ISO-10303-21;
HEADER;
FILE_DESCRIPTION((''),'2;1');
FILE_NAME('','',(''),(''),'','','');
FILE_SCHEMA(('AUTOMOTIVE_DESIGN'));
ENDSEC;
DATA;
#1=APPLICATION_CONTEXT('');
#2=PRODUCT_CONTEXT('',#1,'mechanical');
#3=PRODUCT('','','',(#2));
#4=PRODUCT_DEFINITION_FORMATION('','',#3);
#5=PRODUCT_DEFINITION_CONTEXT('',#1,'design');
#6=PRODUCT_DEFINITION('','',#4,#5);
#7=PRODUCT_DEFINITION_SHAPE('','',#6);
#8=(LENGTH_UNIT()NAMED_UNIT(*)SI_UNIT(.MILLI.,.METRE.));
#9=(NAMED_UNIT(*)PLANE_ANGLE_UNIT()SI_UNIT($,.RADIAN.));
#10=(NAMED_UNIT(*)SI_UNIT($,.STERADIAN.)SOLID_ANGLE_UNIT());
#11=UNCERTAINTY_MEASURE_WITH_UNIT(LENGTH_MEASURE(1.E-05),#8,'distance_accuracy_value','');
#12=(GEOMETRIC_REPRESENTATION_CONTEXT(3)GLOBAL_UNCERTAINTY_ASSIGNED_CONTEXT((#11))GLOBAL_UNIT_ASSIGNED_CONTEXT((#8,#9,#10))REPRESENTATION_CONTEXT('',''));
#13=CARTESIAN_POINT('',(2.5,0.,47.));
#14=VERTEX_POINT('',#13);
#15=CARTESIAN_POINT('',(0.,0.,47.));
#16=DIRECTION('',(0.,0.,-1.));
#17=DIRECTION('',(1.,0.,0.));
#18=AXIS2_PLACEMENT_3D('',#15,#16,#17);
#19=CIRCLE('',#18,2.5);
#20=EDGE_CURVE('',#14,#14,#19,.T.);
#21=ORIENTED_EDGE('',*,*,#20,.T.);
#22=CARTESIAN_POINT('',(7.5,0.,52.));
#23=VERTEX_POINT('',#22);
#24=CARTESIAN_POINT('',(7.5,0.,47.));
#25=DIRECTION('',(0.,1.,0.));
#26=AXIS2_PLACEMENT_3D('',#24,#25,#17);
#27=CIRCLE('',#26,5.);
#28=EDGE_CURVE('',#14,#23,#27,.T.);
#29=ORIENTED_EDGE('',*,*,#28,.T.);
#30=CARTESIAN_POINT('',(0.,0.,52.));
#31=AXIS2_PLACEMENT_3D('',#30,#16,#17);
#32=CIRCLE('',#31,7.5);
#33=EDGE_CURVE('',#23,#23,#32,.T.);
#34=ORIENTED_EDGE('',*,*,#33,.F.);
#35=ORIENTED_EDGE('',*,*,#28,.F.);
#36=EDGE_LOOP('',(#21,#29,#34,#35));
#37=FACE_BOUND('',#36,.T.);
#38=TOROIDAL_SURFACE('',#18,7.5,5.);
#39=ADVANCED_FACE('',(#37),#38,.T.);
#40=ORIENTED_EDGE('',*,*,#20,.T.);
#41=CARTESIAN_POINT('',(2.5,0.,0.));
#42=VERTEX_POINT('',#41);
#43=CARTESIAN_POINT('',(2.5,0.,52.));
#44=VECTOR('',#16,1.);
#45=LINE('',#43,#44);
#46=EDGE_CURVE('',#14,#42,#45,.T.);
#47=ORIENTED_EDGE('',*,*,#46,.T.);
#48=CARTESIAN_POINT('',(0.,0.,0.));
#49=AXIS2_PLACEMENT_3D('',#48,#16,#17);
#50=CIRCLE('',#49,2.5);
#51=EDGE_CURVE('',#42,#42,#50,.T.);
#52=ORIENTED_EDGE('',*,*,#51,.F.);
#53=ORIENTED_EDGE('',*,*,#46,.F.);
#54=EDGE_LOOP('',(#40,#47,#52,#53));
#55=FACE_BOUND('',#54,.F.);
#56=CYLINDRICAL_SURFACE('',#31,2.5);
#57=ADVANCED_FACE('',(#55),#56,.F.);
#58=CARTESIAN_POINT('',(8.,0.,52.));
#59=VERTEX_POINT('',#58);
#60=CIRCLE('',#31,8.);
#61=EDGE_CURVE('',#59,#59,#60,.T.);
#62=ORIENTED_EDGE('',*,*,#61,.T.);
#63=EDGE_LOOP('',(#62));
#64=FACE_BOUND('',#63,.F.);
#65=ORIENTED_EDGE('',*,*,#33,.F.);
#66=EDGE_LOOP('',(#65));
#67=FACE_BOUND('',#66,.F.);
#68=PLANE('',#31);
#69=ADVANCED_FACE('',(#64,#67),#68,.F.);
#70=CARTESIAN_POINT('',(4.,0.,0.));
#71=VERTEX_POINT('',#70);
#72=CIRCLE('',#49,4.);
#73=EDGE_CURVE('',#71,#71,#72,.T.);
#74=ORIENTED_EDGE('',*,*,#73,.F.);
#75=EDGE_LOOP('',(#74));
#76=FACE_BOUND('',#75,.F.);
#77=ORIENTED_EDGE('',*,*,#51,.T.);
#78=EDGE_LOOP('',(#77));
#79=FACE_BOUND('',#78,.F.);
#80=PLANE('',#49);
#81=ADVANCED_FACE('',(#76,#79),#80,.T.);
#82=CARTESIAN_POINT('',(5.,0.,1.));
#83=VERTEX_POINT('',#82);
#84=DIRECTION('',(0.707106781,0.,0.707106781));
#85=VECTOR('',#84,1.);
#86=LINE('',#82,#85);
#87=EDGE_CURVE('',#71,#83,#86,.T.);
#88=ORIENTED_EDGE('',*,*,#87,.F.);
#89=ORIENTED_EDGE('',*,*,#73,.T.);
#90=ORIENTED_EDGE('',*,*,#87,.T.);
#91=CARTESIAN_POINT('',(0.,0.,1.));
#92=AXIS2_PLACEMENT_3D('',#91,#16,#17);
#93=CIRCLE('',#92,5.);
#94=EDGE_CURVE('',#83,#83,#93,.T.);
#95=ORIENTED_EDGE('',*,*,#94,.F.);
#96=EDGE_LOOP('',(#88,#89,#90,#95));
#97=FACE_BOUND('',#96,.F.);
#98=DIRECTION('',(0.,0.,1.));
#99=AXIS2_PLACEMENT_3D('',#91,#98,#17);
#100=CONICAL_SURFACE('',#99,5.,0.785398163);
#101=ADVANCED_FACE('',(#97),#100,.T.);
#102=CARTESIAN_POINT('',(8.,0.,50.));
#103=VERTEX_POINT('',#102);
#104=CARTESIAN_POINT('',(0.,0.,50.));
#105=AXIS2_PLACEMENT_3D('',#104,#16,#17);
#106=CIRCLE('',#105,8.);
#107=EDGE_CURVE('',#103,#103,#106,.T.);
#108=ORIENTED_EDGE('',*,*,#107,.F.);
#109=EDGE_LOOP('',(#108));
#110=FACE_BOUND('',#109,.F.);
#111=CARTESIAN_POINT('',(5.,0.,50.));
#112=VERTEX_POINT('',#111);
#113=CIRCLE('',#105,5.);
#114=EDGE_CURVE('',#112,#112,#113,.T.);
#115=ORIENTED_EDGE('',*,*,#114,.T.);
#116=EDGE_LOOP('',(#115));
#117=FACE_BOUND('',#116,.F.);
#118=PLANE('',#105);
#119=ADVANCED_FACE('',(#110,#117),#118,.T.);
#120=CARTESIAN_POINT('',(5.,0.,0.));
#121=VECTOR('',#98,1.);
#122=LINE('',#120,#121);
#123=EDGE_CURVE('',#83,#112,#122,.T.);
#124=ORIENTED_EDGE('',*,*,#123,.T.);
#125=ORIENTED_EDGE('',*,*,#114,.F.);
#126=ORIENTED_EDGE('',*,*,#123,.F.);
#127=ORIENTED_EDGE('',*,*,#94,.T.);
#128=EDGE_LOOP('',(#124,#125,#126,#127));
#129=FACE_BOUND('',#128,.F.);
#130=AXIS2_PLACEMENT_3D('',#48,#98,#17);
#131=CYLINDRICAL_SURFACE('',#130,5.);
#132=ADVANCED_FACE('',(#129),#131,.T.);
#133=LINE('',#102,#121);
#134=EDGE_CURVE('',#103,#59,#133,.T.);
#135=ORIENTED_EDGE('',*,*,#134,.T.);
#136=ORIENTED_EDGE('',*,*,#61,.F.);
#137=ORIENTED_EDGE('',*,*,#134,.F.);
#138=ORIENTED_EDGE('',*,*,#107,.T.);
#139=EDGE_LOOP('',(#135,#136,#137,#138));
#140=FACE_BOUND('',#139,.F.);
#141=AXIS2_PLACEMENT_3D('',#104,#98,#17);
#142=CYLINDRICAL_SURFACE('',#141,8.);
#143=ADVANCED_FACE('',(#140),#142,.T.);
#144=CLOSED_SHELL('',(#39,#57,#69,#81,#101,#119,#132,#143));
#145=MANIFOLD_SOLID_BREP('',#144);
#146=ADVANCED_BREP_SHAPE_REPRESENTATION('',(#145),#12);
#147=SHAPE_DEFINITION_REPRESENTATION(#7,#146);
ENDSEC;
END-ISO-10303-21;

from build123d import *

# Parameters (mm, degrees)
F2_R    = 5
F3_SIZE = 1


with BuildPart() as f1:
    # F0 (on Front) → F1 (revolve)
    with BuildSketch(Plane.XZ):
        Polygon((2.5, 52), (2.5, 0), (5, 0), (5, 50), (8, 50), (8, 52), align=None)
    revolve(axis=Axis((0, 0, 22.814085), (0, 0, -1)))

    # F2
    f2_edges = [f1.edges().sort_by_distance(p)[0] for p in [
        (-2.5, 0, 52),
    ]]
    fillet(f2_edges, radius=F2_R)

    # F3
    f3_edges = [f1.edges().sort_by_distance(p)[0] for p in [
        (-5, 0, 0),
    ]]
    chamfer(f3_edges, length=F3_SIZE)


solid = f1.part
